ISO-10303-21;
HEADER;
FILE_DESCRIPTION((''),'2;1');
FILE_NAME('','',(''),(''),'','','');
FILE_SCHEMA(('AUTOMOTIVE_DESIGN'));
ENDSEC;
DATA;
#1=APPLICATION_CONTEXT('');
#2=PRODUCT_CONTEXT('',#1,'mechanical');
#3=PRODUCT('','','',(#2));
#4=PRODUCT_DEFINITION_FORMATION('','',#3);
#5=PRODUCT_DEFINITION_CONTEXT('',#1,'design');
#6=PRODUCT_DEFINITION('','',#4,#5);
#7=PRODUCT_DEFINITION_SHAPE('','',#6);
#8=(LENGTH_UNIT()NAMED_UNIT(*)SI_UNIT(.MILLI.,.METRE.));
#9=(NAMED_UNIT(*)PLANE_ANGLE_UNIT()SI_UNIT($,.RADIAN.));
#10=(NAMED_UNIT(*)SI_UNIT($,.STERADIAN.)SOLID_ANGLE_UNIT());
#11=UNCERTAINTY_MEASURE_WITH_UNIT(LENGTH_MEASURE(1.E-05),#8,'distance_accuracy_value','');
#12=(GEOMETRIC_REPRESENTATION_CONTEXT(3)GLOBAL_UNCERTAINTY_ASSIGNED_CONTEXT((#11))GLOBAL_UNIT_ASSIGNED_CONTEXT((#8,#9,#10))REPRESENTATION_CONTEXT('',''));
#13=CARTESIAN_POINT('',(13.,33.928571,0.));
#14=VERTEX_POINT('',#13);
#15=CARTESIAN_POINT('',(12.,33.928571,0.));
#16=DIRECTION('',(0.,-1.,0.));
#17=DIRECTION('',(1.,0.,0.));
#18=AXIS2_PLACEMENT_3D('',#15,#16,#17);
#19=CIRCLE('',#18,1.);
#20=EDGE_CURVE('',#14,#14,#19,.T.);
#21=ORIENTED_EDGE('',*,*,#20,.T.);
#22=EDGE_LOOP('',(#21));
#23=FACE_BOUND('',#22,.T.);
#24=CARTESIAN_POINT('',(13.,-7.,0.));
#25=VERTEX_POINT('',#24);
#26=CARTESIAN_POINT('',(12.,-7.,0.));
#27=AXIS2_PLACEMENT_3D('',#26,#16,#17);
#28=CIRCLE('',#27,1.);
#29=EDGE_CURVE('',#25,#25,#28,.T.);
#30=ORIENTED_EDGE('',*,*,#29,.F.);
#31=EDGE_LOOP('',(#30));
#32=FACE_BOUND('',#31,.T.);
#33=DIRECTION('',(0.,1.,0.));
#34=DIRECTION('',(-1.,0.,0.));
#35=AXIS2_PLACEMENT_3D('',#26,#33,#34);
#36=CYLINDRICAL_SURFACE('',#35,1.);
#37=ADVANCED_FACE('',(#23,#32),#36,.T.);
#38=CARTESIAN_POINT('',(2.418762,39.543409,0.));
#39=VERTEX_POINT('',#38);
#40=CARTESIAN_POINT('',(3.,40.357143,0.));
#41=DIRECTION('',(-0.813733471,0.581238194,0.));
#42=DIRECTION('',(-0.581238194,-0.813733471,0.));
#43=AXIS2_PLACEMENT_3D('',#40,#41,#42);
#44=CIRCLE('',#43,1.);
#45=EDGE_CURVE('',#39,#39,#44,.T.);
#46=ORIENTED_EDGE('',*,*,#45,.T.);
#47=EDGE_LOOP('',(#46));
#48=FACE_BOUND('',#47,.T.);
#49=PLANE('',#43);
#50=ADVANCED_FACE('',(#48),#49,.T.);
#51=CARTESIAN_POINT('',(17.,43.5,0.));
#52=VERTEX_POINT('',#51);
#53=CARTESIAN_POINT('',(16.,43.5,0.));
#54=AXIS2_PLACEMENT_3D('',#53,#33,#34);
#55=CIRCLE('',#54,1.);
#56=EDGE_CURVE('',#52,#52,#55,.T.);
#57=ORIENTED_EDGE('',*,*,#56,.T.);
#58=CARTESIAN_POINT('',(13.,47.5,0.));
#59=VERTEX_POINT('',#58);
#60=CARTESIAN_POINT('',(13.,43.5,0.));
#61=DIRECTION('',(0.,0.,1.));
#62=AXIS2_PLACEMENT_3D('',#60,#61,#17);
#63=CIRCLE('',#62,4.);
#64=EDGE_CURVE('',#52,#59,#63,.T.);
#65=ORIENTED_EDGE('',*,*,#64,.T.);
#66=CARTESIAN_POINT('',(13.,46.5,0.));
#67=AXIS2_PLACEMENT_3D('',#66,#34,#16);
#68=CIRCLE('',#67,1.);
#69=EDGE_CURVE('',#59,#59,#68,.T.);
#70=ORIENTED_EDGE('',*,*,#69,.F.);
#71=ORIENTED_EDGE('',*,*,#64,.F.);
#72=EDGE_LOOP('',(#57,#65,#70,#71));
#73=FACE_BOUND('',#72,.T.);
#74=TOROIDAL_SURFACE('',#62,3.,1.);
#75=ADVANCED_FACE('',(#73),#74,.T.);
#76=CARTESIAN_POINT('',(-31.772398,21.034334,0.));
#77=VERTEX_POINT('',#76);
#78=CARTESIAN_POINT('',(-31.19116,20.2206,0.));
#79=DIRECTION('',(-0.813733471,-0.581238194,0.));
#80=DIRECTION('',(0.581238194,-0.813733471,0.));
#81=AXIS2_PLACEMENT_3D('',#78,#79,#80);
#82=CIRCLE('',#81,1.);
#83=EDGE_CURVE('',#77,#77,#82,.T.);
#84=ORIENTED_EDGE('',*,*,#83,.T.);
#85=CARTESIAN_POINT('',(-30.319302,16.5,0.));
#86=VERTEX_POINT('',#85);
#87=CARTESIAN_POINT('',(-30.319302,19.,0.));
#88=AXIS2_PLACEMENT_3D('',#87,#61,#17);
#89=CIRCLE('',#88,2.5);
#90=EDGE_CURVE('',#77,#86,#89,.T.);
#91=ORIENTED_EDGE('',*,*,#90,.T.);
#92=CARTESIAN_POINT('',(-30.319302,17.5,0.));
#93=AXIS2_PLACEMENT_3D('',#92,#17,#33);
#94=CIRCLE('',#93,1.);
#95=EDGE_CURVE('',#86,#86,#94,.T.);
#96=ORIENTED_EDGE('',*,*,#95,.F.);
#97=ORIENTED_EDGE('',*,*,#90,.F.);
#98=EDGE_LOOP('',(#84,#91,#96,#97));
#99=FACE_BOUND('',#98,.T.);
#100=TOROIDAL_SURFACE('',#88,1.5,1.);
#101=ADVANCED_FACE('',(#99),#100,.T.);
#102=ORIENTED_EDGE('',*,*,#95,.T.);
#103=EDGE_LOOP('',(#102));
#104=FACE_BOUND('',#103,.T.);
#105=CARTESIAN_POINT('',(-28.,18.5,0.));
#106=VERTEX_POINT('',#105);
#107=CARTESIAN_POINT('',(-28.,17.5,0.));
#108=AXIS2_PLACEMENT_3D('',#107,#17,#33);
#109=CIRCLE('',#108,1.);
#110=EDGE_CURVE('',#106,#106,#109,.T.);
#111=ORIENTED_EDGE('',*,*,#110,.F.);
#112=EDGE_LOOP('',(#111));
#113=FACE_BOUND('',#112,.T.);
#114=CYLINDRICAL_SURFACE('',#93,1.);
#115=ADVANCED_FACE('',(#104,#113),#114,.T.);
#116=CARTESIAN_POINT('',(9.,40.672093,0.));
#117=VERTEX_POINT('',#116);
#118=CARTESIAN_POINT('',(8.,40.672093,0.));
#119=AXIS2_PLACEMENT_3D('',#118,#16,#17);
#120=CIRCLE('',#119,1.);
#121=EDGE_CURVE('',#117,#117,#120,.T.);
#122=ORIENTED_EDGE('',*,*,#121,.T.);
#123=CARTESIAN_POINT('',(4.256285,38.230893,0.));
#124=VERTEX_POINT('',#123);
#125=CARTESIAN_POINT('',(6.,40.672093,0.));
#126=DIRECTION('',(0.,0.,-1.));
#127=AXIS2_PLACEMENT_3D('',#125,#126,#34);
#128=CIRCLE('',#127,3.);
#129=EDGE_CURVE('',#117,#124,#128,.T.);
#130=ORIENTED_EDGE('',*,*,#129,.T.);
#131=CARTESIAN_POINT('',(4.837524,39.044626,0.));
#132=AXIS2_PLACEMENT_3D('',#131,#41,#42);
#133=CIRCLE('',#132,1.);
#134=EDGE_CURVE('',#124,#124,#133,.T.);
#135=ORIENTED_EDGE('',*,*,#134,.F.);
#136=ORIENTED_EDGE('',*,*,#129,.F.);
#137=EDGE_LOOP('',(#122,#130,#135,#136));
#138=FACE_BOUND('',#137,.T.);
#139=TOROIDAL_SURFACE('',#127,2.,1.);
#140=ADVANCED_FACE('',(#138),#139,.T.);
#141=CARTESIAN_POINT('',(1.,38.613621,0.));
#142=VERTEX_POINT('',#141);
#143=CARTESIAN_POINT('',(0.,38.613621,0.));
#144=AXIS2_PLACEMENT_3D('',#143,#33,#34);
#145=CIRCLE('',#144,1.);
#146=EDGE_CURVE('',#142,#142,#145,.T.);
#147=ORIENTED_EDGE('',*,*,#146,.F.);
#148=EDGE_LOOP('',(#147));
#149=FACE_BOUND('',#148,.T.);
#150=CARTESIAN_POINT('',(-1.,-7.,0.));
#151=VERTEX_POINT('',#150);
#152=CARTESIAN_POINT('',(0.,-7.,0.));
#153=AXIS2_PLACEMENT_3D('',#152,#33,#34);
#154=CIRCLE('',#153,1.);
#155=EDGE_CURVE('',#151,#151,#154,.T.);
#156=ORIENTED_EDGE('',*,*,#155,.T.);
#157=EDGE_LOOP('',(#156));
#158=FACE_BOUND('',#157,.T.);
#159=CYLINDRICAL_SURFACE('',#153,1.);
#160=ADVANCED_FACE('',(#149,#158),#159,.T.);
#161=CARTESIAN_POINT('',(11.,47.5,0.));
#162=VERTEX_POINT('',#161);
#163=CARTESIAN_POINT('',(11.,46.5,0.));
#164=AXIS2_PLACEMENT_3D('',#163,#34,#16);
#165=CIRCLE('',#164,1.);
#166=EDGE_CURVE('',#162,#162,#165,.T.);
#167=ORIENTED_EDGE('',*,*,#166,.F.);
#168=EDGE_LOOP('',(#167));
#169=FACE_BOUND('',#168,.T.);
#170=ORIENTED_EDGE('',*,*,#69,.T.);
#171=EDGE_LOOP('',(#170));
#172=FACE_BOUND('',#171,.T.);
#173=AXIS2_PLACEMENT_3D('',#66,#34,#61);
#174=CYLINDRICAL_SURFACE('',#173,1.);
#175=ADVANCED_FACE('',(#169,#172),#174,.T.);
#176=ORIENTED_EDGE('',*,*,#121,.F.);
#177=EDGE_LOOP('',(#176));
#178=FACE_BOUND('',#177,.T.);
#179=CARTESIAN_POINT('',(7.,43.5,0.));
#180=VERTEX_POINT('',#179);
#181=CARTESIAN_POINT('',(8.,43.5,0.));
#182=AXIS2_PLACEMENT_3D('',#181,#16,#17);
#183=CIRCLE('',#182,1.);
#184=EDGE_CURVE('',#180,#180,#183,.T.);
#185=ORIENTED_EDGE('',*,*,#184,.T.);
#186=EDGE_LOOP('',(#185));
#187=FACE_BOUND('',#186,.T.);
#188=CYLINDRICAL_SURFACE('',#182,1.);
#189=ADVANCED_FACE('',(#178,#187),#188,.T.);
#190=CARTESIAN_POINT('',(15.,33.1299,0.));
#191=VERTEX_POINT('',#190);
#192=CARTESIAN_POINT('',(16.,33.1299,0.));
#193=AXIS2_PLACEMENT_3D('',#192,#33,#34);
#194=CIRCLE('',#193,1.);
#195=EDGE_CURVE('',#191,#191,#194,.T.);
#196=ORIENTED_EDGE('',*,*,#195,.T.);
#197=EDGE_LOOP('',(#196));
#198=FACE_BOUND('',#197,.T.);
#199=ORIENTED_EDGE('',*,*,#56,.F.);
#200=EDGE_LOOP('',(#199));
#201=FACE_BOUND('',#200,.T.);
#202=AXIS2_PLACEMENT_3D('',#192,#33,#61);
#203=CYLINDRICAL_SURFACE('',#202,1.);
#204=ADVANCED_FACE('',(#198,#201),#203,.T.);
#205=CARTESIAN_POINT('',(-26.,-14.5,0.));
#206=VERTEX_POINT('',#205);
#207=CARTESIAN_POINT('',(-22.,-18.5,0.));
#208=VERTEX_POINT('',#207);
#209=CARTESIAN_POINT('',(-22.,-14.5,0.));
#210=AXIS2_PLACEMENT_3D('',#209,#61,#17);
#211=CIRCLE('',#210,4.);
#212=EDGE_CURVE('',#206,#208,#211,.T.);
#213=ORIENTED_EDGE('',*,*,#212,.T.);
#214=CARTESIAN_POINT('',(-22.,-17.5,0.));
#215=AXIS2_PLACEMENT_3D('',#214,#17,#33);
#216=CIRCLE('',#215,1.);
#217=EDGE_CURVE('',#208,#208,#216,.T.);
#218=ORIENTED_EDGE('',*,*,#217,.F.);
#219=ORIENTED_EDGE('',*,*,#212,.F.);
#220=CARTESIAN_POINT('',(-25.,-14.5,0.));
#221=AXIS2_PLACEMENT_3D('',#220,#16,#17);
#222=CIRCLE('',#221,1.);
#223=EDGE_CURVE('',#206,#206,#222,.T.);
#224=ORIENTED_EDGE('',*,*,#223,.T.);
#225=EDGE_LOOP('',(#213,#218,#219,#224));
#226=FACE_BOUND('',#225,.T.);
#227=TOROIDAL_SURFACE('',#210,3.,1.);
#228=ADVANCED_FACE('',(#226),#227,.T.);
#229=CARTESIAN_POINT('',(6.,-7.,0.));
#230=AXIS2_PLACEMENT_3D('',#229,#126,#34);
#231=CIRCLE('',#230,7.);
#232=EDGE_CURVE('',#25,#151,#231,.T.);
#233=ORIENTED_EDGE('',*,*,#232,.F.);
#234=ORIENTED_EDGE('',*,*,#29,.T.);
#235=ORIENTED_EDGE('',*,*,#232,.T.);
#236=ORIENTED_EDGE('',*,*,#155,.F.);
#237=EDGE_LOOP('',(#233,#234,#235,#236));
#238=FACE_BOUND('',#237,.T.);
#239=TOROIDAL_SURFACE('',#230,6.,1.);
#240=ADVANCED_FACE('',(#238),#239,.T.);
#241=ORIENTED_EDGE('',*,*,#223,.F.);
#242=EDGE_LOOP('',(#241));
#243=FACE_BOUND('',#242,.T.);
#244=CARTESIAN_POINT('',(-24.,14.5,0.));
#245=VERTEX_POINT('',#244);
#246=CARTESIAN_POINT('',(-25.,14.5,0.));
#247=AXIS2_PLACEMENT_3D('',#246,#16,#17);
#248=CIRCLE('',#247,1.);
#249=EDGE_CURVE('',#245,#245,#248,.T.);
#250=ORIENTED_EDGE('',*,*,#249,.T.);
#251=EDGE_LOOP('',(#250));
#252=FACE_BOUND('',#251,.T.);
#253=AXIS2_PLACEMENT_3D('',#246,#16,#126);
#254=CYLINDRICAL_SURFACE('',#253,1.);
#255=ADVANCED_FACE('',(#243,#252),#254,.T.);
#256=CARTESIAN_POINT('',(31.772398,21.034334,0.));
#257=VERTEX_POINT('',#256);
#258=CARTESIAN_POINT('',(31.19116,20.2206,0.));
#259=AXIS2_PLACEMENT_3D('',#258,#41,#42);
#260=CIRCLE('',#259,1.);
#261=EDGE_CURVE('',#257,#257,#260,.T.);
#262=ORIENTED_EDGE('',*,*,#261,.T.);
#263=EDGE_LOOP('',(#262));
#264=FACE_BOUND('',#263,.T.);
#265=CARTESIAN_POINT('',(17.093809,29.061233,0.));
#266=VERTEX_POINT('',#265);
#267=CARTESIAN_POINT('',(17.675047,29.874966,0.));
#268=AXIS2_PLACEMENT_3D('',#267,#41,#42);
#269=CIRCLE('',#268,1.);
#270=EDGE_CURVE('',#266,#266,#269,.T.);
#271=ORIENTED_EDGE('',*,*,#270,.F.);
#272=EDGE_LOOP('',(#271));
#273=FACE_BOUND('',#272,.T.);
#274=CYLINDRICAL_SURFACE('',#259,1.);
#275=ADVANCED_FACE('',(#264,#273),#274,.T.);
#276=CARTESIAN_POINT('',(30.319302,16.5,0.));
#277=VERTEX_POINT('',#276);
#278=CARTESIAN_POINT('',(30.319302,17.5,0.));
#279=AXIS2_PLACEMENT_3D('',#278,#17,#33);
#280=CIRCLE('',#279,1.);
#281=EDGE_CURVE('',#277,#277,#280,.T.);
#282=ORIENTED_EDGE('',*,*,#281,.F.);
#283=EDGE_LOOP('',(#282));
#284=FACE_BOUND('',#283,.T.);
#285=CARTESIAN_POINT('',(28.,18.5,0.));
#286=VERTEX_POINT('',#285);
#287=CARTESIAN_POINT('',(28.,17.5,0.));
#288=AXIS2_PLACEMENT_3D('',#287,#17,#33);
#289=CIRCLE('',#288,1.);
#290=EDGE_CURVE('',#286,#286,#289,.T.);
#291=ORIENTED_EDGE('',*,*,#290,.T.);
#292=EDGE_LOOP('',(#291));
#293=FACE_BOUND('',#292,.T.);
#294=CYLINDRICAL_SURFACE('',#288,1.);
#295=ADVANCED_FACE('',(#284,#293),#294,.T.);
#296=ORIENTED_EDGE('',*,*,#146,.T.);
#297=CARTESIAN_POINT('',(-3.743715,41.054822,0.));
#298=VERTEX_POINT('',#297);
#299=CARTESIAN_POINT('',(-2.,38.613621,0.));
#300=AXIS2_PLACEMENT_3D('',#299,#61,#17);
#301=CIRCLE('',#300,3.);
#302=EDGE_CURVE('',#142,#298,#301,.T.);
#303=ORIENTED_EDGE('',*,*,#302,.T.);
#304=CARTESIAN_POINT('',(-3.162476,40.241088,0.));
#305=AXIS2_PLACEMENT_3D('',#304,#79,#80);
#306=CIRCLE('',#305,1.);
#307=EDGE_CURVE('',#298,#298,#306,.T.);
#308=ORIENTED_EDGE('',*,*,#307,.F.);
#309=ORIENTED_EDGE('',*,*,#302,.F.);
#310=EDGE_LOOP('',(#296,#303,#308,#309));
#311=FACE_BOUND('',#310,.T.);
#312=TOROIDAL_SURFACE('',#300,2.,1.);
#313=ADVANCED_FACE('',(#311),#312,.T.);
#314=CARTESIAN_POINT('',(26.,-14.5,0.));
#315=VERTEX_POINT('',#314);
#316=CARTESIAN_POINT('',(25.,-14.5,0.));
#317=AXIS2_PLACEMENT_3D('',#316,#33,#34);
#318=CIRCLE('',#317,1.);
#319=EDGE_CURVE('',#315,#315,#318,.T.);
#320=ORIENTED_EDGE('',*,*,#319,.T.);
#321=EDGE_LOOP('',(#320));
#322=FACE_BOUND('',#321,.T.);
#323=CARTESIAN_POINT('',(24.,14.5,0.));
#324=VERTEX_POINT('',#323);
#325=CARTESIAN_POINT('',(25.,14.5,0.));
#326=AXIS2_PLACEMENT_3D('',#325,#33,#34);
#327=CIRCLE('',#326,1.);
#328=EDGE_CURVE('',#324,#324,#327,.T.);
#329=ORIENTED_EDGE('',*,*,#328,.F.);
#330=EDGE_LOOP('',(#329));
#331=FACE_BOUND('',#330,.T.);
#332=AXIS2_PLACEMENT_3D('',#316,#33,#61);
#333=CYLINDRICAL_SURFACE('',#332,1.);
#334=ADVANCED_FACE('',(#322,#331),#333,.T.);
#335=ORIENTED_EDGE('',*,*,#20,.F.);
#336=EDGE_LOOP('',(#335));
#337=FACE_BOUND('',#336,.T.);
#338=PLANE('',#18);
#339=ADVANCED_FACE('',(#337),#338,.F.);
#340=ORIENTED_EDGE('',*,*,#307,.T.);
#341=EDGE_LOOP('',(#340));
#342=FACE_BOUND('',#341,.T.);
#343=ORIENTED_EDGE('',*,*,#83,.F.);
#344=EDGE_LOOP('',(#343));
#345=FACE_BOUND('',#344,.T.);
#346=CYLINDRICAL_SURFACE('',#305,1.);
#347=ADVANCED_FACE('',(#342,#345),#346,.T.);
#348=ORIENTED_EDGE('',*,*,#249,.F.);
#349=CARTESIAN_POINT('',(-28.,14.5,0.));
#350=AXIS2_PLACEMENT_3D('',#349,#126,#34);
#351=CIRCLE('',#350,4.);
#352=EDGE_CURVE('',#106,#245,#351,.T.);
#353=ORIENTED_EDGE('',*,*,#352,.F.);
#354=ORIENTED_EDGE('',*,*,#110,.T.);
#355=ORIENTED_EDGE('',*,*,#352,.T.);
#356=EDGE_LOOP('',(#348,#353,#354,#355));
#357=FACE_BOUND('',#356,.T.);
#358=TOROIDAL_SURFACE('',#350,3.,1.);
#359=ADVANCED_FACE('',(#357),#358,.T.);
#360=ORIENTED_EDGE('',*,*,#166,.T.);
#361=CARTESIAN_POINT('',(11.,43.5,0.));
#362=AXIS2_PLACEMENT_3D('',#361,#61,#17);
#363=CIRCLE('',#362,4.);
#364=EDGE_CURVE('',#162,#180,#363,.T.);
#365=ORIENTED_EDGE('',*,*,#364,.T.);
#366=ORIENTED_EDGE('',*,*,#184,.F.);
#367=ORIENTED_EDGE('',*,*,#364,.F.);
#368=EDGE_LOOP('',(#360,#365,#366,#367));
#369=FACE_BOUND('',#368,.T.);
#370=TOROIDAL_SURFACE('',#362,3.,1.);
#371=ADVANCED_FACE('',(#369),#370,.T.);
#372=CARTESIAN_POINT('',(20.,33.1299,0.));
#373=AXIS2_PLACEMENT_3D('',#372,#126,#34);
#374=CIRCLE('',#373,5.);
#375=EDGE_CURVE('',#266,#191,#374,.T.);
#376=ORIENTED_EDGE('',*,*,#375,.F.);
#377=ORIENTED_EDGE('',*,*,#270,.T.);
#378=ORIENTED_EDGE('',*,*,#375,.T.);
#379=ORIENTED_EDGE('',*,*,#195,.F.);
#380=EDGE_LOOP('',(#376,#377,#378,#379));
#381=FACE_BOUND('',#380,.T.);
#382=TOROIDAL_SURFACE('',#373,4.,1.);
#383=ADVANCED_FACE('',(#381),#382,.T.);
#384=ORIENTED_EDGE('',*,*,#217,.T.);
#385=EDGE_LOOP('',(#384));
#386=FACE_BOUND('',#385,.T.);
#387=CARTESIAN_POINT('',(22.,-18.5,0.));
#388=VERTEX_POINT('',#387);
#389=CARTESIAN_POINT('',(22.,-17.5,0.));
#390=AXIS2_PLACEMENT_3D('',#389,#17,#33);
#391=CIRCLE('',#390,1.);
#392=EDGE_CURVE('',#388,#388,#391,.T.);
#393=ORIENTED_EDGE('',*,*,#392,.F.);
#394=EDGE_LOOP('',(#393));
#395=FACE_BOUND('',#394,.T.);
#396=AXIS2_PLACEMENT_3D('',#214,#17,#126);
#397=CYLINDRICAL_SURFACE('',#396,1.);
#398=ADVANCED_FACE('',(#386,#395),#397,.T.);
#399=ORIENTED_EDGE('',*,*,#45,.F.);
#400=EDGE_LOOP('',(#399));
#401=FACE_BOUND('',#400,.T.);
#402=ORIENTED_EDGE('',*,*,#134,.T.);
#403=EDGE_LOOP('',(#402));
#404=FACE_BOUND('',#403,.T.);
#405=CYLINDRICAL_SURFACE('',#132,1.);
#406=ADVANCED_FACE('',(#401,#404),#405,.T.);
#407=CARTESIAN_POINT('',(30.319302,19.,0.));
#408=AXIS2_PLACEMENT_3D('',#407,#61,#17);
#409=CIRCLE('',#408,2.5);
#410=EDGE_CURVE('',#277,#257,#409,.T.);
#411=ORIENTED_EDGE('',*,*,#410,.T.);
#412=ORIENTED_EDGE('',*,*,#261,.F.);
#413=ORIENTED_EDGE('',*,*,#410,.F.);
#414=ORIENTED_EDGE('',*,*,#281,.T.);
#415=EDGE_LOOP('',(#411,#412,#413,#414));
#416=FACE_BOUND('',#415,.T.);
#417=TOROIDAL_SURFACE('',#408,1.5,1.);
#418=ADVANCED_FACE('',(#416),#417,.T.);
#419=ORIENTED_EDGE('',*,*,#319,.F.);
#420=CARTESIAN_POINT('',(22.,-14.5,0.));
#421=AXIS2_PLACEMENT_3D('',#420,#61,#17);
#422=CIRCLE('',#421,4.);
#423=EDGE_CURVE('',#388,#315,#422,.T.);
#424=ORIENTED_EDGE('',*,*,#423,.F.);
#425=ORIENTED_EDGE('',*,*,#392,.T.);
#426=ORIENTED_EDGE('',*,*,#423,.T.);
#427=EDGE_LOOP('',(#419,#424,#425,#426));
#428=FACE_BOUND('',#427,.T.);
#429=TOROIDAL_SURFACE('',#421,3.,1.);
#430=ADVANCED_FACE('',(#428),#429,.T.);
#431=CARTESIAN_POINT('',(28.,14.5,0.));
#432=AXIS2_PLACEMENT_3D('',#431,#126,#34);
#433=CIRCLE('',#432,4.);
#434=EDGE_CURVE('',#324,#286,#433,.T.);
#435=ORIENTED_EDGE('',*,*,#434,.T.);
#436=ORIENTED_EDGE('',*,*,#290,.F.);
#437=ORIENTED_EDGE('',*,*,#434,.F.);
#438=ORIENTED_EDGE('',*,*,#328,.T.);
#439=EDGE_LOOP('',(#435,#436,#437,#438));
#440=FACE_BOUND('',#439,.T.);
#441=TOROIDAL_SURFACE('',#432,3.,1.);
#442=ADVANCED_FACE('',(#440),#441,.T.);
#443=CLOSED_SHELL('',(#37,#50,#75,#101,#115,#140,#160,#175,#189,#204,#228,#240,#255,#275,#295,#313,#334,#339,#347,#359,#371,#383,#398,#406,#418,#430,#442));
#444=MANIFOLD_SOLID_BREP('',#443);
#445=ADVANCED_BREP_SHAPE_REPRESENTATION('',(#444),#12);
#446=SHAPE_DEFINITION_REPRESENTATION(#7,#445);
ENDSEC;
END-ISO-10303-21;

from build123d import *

# Parameters (mm, degrees)
SKETCH_3_R = 1


with BuildPart() as part:
    # По траектории2: sweep along a path in Эскиз2
    with BuildLine(Plane.XY) as sweep_2_path:
        Line((3, 40.357142857), (4.837523613, 39.044625991))
        ThreePointArc((4.837523613, 39.044625991), (6.915163162, 38.893757648), (8, 40.672092933))
        Line((8, 40.672092933), (8, 43.5))
        ThreePointArc((8, 43.5), (8.878679656, 45.621320344), (11, 46.5))
        Line((11, 46.5), (13, 46.5))
        ThreePointArc((13, 46.5), (15.121320344, 45.621320344), (16, 43.5))
        Line((16, 43.5), (16, 33.129900153))
        ThreePointArc((16, 33.129900153), (16.443329429, 31.299573829), (17.675047225, 29.874966268))
        Line((17.675047225, 29.874966268), (31.19115971, 20.220600207))
        ThreePointArc((31.19115971, 20.220600207), (31.747745683, 18.542233853), (30.31930242, 17.5))
        Line((30.31930242, 17.5), (28, 17.5))
        ThreePointArc((28, 17.5), (25.878679656, 16.621320344), (25, 14.5))
        Line((25, 14.5), (25, -14.5))
        ThreePointArc((25, -14.5), (24.121320344, -16.621320344), (22, -17.5))
        Line((22, -17.5), (-22, -17.5))
        ThreePointArc((-22, -17.5), (-24.121320344, -16.621320344), (-25, -14.5))
        Line((-25, -14.5), (-25, 14.5))
        ThreePointArc((-25, 14.5), (-25.878679656, 16.621320344), (-28, 17.5))
        Line((-28, 17.5), (-30.31930242, 17.5))
        ThreePointArc((-30.31930242, 17.5), (-31.747745683, 18.542233853), (-31.19115971, 20.220600207))
        Line((-31.19115971, 20.220600207), (-3.162476387, 40.241088295))
        ThreePointArc((-3.162476387, 40.241088295), (-1.084836838, 40.391956638), (0, 38.613621352))
        Line((0, 38.613621352), (0, -7))
        ThreePointArc((0, -7), (6, -13), (12, -7))
        Line((12, -7), (12, 33.928571429))
    # Эскиз3 → По траектории2 (sweep)
    with BuildSketch(Plane(origin=(12, 33.928571429, 0), x_dir=(-1, 0, 0), z_dir=(0, -1, 0))):
        Circle(SKETCH_3_R)
    sweep(path=sweep_2_path.line)


solid = part.part
